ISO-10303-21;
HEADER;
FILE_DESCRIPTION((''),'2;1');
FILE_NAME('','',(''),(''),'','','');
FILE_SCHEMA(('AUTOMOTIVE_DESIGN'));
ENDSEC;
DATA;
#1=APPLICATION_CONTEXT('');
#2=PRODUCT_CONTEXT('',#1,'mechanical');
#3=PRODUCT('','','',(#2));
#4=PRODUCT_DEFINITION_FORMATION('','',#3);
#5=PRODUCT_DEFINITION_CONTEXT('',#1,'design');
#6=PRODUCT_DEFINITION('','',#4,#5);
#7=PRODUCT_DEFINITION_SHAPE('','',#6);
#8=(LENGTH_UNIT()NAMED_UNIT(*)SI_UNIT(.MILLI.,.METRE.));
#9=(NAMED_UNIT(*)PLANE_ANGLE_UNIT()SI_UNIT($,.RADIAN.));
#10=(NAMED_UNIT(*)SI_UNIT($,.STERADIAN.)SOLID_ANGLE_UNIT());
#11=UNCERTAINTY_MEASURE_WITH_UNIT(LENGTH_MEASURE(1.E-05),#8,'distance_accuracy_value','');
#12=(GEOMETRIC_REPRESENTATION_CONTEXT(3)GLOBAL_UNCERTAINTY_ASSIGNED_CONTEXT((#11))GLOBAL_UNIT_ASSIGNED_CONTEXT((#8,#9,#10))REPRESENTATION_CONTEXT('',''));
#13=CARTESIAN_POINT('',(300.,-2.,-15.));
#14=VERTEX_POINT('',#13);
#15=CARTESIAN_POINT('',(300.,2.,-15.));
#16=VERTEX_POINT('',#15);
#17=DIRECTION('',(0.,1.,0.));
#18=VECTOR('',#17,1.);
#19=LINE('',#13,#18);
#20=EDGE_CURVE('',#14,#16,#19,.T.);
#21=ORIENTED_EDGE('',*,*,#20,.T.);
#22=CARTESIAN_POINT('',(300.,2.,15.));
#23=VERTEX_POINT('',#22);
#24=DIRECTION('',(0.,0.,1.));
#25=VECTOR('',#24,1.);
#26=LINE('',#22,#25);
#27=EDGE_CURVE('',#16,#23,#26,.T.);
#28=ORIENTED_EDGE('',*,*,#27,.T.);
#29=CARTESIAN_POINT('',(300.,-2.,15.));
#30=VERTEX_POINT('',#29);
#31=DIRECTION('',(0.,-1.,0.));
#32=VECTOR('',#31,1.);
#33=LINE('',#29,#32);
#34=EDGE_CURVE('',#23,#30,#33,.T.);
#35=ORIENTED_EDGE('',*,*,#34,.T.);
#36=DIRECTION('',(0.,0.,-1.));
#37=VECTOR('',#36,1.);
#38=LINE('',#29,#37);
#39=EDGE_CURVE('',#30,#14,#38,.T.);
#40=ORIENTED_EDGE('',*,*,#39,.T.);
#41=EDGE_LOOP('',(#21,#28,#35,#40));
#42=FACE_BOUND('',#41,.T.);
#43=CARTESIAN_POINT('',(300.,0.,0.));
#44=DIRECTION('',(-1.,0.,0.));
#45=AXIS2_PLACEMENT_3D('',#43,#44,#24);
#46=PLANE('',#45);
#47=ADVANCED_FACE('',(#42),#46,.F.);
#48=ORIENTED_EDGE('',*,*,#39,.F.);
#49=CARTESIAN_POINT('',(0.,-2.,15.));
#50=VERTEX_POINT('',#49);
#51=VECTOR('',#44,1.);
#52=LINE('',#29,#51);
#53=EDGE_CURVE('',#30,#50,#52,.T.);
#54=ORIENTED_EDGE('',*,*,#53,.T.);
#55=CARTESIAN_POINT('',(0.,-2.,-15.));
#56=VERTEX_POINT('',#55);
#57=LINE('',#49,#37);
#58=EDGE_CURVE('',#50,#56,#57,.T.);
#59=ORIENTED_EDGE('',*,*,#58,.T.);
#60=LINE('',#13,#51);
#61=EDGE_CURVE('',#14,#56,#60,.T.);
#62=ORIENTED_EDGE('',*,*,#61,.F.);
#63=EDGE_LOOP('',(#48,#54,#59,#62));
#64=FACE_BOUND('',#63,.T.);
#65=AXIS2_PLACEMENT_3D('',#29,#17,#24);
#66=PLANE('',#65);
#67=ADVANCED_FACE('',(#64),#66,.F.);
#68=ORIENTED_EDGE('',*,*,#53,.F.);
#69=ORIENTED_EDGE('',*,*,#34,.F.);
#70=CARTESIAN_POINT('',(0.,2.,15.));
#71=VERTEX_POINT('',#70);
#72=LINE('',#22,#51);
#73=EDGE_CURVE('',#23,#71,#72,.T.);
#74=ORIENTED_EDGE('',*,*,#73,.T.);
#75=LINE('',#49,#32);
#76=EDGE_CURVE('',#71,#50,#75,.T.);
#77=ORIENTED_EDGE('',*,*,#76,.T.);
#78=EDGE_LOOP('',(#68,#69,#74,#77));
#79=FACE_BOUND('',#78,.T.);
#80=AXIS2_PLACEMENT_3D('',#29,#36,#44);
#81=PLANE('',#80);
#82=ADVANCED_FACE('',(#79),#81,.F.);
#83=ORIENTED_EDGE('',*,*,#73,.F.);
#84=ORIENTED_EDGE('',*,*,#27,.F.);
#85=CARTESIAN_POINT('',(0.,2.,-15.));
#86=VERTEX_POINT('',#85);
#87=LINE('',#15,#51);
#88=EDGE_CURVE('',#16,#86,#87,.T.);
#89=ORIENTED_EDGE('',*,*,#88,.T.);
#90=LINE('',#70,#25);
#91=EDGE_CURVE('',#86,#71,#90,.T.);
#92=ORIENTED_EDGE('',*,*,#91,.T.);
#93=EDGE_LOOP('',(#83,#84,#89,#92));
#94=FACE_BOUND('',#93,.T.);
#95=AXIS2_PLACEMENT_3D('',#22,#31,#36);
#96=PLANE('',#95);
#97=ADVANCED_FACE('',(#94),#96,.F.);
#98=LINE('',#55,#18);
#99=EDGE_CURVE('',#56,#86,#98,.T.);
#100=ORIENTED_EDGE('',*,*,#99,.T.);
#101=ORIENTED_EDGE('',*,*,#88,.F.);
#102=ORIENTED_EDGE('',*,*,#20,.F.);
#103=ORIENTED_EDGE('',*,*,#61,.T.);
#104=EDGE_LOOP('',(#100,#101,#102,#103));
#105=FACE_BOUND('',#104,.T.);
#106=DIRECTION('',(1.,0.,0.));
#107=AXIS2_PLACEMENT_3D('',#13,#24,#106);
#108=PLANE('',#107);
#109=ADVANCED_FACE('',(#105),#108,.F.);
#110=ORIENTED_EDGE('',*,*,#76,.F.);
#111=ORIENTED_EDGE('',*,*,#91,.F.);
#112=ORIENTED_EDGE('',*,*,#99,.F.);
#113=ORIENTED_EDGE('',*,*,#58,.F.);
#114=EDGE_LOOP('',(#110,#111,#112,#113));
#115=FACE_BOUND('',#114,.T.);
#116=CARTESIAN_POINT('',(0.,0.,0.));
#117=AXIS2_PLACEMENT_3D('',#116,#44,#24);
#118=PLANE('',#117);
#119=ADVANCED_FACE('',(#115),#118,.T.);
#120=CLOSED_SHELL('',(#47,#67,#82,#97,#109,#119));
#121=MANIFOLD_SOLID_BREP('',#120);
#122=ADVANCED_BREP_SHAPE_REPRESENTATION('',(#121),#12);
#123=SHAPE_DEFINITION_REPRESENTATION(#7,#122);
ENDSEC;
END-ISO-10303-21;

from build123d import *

# Parameters (mm, degrees)
SKETCH_1_W      = 30
SKETCH_1_H      = 4
EXTRUDE_1_DEPTH = 300


with BuildPart() as part:
    # Эскиз1 → Бобышка-Вытянуть1 (new body)
    with BuildSketch(Plane(origin=(0, 0, 0), x_dir=(0, 0, -1), z_dir=(1, 0, 0))):
        Rectangle(SKETCH_1_W, SKETCH_1_H)
    extrude(amount=EXTRUDE_1_DEPTH)


solid = part.part
